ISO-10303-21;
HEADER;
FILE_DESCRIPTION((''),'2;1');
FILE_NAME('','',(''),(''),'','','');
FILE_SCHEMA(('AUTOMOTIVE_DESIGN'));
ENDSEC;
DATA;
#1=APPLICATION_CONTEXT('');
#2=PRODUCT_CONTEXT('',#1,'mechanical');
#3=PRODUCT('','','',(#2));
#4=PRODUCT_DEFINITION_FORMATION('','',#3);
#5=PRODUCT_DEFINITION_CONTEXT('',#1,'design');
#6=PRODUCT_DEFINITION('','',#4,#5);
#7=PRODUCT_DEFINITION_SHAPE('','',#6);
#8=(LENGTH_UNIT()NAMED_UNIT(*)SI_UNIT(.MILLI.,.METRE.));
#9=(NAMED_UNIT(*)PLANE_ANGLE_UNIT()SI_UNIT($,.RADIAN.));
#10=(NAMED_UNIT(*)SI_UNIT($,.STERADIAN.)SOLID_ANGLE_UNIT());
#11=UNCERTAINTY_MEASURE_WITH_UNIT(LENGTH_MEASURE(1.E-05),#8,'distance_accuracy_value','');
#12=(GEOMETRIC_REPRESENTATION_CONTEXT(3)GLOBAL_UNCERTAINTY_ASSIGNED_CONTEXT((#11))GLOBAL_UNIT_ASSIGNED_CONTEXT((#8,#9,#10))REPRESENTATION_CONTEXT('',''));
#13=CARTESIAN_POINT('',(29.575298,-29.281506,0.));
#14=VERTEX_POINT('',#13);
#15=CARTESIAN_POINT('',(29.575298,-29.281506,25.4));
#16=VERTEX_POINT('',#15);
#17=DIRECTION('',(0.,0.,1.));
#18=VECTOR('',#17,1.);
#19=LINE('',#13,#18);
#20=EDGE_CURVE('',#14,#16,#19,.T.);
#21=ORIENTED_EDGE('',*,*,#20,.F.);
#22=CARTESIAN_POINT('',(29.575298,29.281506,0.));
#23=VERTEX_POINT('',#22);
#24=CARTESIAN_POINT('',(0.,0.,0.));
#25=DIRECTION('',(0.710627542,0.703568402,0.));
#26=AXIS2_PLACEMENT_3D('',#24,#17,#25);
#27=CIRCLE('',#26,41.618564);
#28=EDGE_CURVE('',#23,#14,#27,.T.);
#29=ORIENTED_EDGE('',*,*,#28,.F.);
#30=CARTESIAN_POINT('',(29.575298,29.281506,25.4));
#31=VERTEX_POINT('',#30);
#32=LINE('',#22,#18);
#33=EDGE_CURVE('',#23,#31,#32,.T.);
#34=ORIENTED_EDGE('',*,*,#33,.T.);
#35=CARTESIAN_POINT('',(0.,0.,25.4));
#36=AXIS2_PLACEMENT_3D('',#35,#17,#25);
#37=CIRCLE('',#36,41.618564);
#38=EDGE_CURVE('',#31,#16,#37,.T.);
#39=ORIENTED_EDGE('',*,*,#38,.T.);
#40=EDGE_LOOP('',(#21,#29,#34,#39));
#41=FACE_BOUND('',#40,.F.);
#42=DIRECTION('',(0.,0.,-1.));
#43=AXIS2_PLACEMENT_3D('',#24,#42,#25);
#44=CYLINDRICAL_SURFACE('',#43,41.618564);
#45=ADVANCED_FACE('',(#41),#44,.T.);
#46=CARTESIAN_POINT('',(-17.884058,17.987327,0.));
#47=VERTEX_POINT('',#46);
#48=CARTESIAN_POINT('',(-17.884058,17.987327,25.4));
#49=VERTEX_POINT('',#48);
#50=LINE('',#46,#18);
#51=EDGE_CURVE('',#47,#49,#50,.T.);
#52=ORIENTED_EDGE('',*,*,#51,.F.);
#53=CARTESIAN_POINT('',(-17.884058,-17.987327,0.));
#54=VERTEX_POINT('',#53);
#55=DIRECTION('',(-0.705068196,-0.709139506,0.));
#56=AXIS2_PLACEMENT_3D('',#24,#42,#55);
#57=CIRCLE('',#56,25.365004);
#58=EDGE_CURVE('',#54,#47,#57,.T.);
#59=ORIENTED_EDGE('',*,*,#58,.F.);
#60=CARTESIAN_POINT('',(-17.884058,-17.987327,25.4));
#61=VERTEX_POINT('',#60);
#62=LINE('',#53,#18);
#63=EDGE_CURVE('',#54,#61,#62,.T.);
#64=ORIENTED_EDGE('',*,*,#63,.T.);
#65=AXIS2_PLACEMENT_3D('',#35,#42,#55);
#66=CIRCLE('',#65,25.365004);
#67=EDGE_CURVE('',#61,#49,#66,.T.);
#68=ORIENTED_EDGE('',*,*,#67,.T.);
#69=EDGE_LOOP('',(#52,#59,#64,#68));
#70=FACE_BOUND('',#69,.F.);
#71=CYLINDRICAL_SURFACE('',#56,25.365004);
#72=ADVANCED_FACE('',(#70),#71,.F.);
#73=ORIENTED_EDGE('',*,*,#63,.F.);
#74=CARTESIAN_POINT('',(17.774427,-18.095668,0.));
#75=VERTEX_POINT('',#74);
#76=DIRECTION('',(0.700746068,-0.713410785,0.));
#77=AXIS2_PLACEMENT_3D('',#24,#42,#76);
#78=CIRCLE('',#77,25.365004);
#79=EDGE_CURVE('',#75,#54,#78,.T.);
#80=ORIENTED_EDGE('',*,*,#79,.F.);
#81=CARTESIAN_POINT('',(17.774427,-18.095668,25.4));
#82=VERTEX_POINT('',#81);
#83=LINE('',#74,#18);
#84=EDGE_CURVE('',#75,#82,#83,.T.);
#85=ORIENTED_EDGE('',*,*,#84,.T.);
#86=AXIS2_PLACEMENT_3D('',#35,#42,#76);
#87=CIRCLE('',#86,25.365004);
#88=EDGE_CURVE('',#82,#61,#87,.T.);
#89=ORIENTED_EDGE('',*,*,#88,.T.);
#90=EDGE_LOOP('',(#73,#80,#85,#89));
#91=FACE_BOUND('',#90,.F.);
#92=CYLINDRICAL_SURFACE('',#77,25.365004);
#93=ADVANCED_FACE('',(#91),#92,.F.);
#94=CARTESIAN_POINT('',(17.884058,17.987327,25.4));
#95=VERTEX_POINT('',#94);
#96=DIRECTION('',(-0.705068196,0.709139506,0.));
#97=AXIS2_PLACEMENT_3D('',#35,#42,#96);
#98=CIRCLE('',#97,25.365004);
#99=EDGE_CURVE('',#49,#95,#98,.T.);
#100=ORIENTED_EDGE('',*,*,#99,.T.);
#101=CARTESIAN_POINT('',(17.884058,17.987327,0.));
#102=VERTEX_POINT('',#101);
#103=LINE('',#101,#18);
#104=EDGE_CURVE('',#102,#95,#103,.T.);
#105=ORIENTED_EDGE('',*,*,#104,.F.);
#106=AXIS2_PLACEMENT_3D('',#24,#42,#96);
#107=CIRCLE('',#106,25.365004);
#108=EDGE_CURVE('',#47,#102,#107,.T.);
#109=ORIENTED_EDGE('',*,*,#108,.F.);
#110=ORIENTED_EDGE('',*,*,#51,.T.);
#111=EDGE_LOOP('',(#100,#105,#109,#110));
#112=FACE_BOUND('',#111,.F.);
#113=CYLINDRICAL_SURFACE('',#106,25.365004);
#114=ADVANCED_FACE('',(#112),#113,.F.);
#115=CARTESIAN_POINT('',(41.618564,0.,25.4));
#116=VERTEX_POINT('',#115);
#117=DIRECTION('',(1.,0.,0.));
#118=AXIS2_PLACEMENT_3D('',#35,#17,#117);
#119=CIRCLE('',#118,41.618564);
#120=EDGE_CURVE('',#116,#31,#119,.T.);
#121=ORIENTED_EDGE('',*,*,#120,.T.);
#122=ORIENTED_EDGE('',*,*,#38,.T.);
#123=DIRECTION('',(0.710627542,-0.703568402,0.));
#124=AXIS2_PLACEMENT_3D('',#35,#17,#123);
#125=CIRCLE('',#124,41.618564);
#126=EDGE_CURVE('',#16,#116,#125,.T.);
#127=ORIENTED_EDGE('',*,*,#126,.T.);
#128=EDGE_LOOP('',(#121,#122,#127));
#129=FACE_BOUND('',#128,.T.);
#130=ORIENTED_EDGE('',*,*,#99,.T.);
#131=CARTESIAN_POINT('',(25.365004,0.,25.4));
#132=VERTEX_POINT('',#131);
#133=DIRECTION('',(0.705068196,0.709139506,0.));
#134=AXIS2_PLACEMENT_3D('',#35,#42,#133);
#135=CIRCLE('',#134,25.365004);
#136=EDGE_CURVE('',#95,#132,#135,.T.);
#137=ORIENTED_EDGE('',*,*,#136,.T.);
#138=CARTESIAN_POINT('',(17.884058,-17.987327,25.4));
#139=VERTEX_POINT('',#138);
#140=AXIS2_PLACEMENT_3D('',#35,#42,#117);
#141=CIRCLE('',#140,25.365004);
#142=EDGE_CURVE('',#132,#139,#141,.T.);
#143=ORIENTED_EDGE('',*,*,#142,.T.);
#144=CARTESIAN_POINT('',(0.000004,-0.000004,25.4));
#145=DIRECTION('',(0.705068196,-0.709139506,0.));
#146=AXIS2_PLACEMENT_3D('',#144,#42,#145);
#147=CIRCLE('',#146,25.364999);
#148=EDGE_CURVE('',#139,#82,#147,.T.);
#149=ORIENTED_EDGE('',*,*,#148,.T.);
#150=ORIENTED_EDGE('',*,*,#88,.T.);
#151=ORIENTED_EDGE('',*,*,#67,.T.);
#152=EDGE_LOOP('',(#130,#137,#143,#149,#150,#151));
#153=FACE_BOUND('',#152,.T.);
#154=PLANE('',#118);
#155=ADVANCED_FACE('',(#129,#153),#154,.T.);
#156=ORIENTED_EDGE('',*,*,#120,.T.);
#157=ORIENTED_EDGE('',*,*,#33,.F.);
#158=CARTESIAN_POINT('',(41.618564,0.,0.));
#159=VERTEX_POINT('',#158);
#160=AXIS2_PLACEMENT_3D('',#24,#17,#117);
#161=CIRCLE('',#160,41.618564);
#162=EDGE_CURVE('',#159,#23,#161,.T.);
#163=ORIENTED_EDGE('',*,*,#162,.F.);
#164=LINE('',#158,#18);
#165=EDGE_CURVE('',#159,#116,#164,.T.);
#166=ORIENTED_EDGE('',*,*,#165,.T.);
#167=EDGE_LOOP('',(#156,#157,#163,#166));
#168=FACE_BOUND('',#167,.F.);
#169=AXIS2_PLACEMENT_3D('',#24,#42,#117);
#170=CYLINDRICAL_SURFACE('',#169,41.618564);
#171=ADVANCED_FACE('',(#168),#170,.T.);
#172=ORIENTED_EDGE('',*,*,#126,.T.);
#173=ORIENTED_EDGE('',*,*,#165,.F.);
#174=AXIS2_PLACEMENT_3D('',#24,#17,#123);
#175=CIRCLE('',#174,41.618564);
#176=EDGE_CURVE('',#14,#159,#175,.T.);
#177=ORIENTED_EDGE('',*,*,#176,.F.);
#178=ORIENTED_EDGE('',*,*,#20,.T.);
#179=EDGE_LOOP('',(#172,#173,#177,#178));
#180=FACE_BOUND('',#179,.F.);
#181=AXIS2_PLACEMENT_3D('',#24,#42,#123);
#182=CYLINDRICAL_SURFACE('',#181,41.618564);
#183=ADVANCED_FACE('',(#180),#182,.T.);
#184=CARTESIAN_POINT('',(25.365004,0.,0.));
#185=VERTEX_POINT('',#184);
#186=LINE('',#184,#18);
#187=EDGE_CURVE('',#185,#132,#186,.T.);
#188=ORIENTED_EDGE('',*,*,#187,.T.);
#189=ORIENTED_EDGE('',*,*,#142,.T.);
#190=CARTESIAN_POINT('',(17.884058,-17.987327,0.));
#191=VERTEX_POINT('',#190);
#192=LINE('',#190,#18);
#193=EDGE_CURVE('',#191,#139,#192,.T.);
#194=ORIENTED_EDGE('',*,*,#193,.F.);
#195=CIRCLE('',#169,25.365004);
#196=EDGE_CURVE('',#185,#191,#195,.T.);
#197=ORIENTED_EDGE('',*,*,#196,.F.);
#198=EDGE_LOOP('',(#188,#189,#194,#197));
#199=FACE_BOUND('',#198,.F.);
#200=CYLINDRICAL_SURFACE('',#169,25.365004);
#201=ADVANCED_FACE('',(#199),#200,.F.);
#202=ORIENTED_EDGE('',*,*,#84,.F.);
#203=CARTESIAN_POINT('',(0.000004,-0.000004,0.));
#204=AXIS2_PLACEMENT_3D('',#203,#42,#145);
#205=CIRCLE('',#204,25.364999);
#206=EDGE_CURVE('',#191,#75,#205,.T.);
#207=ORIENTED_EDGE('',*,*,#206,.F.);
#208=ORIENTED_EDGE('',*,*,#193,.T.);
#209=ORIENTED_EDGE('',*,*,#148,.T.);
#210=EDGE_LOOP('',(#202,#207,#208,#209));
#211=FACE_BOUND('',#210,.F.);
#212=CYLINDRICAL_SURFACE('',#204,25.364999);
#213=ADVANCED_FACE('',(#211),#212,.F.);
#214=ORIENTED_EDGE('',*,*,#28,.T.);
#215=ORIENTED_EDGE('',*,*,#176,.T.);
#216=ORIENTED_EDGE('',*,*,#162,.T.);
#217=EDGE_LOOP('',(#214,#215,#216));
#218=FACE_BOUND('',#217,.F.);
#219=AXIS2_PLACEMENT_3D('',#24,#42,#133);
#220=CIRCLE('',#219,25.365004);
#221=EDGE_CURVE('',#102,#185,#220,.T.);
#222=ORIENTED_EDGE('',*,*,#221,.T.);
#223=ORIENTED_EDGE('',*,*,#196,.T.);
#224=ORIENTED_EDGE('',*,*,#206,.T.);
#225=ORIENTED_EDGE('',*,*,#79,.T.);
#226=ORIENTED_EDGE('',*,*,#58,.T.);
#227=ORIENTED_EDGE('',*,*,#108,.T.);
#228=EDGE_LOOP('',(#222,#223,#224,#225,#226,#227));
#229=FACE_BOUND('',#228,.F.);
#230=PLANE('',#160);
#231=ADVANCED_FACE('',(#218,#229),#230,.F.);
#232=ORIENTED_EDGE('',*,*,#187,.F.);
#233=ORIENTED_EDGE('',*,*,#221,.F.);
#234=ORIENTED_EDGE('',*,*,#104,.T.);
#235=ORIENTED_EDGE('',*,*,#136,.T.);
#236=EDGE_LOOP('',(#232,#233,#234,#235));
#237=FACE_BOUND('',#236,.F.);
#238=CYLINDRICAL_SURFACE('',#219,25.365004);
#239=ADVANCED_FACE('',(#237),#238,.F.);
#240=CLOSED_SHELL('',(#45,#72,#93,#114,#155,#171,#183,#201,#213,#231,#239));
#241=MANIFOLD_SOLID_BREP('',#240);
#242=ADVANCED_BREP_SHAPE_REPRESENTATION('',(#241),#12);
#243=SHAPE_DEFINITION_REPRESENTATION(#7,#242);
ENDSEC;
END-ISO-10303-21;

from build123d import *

# Parameters (mm, degrees)
F0_W     = 59.1505952179
F0_H     = 58.5630126297
F1_DEPTH = 25.4


with BuildPart() as f1:
    # F0 (on Top) → F1 (new body)
    with BuildSketch(Plane.XY):
        Rectangle(F0_W, F0_H)
        with BuildLine():
            ThreePointArc((17.8840578214, 17.9873266268), (23.420211858, 9.7404886871), (25.3650043039, 0))
            ThreePointArc((25.3650043039, 0), (23.420211858, -9.7404886871), (17.8840578214, -17.9873266268))
            ThreePointArc((17.8840578214, -17.9873266268), (17.8293247145, -18.0415804065), (17.774427022, -18.0956676411))
            ThreePointArc((17.774427022, -18.0956676411), (-0.0770660229, -25.3648872295), (-17.8840578214, -17.9873266268))
            ThreePointArc((-17.8840578214, -17.9873266268), (-25.3650043039, 0), (-17.8840578214, 17.9873266268))
            ThreePointArc((-17.8840578214, 17.9873266268), (0, 25.3650043039), (17.8840578214, 17.9873266268))
        make_face(mode=Mode.SUBTRACT)
        with BuildLine():
            ThreePointArc((41.6185636553, 0), (38.4901691792, 15.8307206811), (29.575297609, 29.2815063149))
            Line((29.575297609, 29.2815063149), (29.575297609, -29.2815063149))
            ThreePointArc((29.575297609, -29.2815063149), (38.4901691792, -15.8307206811), (41.6185636553, 0))
        make_face()
        with BuildLine():
            Line((-29.575297609, 29.2815063149), (29.575297609, 29.2815063149))
            ThreePointArc((29.575297609, 29.2815063149), (0, 41.6185636553), (-29.575297609, 29.2815063149))
        make_face()
        with BuildLine():
            Line((-29.575297609, -29.2815063149), (-29.575297609, 29.2815063149))
            ThreePointArc((-29.575297609, 29.2815063149), (-41.6185636553, 0), (-29.575297609, -29.2815063149))
        make_face()
        with BuildLine():
            ThreePointArc((-29.575297609, -29.2815063149), (0, -41.6185636553), (29.575297609, -29.2815063149))
            Line((29.575297609, -29.2815063149), (-29.575297609, -29.2815063149))
        make_face()
    extrude(amount=F1_DEPTH)


solid = f1.part
